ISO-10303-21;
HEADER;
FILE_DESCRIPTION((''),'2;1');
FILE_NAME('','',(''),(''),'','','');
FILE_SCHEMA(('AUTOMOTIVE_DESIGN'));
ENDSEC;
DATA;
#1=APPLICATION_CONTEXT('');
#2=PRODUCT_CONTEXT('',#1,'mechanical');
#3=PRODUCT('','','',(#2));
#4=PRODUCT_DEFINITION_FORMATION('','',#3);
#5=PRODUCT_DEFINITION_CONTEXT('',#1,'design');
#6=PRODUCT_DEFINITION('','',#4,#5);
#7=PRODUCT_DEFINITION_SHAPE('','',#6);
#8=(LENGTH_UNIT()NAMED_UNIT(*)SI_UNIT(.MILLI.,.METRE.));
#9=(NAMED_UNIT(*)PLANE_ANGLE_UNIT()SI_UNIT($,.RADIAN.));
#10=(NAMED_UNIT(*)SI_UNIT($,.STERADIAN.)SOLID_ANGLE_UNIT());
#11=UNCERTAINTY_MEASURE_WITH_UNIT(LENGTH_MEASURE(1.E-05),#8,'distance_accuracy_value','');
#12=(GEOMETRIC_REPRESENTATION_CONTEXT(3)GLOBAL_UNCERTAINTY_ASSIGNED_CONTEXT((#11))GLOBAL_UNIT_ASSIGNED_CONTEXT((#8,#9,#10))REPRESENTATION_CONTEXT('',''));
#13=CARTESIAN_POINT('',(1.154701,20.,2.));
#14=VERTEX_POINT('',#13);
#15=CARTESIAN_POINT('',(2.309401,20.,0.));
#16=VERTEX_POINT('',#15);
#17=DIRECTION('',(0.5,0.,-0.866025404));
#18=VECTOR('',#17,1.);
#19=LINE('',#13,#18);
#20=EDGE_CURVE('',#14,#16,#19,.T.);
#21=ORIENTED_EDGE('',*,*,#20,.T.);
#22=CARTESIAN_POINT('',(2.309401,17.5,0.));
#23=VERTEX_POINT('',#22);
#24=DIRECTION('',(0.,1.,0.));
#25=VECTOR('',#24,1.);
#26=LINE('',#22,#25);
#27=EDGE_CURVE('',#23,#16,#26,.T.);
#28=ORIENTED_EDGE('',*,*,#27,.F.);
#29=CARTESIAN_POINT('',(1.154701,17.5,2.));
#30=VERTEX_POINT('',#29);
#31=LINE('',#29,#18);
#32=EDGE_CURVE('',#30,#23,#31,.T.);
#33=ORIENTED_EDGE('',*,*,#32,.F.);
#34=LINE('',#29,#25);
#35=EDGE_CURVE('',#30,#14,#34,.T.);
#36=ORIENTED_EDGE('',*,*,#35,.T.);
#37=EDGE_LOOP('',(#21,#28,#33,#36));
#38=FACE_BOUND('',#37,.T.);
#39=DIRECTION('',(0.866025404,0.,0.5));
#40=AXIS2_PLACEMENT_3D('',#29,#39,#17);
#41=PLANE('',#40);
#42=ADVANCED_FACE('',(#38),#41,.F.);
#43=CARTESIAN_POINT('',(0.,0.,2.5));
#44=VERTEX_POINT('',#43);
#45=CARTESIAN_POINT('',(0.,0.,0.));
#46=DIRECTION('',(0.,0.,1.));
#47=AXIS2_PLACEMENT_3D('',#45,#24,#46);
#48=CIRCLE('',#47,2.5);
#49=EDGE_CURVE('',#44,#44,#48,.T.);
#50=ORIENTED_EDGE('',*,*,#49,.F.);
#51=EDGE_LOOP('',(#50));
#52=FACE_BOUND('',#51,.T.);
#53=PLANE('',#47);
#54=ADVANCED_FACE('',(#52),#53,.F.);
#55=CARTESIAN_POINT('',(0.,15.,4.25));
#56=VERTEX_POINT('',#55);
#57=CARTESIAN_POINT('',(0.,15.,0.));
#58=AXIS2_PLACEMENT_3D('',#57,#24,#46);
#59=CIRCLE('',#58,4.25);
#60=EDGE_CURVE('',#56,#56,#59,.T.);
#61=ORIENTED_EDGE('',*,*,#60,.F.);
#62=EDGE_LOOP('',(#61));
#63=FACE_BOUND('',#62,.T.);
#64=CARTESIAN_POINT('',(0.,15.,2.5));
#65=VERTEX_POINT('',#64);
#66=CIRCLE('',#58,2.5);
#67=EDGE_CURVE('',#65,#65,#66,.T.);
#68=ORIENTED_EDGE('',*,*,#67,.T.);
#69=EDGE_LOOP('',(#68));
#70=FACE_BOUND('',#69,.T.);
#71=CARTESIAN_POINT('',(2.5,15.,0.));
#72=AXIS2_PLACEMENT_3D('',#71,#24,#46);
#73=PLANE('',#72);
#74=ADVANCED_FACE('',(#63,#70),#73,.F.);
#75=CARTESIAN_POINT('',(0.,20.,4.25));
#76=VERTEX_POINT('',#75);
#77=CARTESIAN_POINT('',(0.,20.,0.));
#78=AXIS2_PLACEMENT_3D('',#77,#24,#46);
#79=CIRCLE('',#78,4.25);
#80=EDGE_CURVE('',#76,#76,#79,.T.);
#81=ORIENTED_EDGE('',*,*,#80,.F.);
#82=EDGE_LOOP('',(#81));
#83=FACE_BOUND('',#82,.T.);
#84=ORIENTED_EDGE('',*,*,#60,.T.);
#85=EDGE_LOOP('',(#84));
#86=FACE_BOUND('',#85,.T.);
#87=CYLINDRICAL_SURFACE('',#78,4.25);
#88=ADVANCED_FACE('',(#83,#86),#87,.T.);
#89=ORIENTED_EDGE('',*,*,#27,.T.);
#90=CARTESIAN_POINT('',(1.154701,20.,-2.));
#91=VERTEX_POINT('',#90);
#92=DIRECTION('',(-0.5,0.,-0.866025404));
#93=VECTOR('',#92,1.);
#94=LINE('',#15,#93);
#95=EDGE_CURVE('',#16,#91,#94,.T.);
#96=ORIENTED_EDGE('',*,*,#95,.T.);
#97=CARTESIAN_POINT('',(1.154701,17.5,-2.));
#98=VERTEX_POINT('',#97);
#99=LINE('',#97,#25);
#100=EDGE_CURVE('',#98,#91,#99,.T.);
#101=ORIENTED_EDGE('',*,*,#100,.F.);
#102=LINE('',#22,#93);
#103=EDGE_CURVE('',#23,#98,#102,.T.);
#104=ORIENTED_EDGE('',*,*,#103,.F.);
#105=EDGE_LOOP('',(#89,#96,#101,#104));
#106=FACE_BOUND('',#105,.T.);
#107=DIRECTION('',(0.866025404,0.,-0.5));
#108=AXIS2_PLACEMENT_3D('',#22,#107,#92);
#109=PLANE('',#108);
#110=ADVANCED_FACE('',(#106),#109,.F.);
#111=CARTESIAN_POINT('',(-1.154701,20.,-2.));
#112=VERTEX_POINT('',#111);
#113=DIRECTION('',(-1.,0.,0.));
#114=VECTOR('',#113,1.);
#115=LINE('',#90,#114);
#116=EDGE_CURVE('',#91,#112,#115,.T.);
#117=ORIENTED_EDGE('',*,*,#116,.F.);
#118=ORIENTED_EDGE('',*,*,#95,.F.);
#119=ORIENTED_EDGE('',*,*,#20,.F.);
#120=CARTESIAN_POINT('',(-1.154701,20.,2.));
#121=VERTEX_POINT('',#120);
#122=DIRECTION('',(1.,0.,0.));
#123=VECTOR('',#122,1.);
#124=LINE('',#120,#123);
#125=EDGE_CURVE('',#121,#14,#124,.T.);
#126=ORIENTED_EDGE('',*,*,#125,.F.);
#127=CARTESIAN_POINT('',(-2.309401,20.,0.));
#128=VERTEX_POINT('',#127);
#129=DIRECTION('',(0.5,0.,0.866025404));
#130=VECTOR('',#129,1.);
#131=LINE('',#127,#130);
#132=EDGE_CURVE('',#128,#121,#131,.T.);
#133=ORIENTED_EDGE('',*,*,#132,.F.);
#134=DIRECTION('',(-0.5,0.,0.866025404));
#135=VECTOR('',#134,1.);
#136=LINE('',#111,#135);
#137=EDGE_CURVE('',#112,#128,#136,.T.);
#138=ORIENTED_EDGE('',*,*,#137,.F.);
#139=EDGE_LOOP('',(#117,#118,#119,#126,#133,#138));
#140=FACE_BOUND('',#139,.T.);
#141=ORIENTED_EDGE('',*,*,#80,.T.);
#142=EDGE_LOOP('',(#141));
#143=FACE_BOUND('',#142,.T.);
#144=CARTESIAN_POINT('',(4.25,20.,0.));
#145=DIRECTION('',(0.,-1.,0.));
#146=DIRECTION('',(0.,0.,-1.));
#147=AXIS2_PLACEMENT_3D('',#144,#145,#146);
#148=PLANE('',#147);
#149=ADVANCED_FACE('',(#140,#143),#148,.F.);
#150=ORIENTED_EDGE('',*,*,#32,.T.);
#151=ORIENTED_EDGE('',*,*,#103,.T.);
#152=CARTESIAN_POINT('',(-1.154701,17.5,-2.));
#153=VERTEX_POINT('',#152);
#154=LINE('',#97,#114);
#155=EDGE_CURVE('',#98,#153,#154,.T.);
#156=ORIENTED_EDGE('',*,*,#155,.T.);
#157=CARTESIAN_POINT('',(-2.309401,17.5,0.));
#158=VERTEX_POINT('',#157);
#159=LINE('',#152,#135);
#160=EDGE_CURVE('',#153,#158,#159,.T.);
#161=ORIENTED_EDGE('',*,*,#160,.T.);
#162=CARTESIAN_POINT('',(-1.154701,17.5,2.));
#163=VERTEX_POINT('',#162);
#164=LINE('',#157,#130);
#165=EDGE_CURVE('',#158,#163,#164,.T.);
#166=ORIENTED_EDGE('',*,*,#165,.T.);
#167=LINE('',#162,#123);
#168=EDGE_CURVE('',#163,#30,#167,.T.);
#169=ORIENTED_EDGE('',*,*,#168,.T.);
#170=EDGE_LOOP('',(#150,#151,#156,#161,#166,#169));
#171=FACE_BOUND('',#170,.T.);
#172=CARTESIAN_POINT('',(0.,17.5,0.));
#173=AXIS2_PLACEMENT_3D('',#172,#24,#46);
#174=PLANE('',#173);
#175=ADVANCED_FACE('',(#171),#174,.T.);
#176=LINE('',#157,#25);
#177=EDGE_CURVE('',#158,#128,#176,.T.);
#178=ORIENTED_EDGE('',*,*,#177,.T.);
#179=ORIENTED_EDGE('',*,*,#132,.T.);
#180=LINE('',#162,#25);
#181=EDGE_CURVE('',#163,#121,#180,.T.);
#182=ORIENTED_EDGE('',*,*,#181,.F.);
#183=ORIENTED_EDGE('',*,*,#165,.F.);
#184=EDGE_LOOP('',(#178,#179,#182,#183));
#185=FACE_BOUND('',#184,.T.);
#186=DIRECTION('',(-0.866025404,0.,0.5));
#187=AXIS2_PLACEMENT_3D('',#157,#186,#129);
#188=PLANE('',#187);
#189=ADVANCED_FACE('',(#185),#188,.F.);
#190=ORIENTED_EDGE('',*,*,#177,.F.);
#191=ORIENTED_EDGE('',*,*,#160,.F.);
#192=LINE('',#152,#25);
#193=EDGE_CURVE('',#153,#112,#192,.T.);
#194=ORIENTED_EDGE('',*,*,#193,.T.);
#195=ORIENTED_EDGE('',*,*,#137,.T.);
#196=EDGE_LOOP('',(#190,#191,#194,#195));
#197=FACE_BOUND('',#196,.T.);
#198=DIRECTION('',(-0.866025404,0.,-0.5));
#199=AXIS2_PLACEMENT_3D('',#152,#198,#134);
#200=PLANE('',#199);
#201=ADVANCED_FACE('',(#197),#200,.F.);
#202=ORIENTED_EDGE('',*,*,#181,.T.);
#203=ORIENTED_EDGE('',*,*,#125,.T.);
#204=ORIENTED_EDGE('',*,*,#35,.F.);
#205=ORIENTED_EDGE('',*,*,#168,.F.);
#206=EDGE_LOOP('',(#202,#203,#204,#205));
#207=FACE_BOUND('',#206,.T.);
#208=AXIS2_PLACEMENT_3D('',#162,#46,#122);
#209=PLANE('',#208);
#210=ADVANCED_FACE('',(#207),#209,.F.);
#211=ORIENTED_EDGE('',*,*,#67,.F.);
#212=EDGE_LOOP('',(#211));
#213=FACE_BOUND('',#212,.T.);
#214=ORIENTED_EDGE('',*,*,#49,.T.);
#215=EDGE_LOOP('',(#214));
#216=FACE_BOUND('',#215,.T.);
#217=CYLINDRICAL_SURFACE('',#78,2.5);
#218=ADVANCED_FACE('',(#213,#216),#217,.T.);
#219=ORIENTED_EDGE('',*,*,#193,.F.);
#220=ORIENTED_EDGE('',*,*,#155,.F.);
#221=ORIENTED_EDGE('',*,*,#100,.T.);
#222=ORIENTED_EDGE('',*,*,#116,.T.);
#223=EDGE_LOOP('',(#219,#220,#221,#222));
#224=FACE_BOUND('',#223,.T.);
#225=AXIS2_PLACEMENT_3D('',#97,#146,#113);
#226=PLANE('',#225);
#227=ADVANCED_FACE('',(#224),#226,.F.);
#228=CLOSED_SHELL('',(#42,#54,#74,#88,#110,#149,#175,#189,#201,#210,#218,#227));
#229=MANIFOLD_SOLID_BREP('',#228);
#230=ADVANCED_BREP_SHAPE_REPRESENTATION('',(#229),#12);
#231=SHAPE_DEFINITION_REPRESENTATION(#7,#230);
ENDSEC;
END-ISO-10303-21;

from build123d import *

# Parameters (mm, degrees)
CUT_EXTRUDE1_DEPTH = 2.5


with BuildPart() as part:
    # Sketch1 → Revolve1 (revolve)
    with BuildSketch(Plane.XY, mode=Mode.PRIVATE) as revolve1_sk:
        Polygon((0, 0), (2.5, 0), (2.5, 15), (4.25, 15), (4.25, 20), (0, 20), align=None)
    revolve(revolve1_sk.sketch.rotate(Axis((0, 20, 0), (0, -1, 0)), 90), axis=Axis((0, 20, 0), (0, -1, 0)))

    # Sketch2 → Cut-Extrude1 (cut)
    with BuildSketch(Plane(origin=(0, 20, 0), x_dir=(1, 0, 0), z_dir=(0, 1, 0))):
        Polygon((1.154700538, 2), (-1.154700538, 2), (-2.309401077, 0), (-1.154700538, -2), (1.154700538, -2), (2.309401077, 0), align=None)
    extrude(amount=-CUT_EXTRUDE1_DEPTH, mode=Mode.SUBTRACT)


solid = part.part
